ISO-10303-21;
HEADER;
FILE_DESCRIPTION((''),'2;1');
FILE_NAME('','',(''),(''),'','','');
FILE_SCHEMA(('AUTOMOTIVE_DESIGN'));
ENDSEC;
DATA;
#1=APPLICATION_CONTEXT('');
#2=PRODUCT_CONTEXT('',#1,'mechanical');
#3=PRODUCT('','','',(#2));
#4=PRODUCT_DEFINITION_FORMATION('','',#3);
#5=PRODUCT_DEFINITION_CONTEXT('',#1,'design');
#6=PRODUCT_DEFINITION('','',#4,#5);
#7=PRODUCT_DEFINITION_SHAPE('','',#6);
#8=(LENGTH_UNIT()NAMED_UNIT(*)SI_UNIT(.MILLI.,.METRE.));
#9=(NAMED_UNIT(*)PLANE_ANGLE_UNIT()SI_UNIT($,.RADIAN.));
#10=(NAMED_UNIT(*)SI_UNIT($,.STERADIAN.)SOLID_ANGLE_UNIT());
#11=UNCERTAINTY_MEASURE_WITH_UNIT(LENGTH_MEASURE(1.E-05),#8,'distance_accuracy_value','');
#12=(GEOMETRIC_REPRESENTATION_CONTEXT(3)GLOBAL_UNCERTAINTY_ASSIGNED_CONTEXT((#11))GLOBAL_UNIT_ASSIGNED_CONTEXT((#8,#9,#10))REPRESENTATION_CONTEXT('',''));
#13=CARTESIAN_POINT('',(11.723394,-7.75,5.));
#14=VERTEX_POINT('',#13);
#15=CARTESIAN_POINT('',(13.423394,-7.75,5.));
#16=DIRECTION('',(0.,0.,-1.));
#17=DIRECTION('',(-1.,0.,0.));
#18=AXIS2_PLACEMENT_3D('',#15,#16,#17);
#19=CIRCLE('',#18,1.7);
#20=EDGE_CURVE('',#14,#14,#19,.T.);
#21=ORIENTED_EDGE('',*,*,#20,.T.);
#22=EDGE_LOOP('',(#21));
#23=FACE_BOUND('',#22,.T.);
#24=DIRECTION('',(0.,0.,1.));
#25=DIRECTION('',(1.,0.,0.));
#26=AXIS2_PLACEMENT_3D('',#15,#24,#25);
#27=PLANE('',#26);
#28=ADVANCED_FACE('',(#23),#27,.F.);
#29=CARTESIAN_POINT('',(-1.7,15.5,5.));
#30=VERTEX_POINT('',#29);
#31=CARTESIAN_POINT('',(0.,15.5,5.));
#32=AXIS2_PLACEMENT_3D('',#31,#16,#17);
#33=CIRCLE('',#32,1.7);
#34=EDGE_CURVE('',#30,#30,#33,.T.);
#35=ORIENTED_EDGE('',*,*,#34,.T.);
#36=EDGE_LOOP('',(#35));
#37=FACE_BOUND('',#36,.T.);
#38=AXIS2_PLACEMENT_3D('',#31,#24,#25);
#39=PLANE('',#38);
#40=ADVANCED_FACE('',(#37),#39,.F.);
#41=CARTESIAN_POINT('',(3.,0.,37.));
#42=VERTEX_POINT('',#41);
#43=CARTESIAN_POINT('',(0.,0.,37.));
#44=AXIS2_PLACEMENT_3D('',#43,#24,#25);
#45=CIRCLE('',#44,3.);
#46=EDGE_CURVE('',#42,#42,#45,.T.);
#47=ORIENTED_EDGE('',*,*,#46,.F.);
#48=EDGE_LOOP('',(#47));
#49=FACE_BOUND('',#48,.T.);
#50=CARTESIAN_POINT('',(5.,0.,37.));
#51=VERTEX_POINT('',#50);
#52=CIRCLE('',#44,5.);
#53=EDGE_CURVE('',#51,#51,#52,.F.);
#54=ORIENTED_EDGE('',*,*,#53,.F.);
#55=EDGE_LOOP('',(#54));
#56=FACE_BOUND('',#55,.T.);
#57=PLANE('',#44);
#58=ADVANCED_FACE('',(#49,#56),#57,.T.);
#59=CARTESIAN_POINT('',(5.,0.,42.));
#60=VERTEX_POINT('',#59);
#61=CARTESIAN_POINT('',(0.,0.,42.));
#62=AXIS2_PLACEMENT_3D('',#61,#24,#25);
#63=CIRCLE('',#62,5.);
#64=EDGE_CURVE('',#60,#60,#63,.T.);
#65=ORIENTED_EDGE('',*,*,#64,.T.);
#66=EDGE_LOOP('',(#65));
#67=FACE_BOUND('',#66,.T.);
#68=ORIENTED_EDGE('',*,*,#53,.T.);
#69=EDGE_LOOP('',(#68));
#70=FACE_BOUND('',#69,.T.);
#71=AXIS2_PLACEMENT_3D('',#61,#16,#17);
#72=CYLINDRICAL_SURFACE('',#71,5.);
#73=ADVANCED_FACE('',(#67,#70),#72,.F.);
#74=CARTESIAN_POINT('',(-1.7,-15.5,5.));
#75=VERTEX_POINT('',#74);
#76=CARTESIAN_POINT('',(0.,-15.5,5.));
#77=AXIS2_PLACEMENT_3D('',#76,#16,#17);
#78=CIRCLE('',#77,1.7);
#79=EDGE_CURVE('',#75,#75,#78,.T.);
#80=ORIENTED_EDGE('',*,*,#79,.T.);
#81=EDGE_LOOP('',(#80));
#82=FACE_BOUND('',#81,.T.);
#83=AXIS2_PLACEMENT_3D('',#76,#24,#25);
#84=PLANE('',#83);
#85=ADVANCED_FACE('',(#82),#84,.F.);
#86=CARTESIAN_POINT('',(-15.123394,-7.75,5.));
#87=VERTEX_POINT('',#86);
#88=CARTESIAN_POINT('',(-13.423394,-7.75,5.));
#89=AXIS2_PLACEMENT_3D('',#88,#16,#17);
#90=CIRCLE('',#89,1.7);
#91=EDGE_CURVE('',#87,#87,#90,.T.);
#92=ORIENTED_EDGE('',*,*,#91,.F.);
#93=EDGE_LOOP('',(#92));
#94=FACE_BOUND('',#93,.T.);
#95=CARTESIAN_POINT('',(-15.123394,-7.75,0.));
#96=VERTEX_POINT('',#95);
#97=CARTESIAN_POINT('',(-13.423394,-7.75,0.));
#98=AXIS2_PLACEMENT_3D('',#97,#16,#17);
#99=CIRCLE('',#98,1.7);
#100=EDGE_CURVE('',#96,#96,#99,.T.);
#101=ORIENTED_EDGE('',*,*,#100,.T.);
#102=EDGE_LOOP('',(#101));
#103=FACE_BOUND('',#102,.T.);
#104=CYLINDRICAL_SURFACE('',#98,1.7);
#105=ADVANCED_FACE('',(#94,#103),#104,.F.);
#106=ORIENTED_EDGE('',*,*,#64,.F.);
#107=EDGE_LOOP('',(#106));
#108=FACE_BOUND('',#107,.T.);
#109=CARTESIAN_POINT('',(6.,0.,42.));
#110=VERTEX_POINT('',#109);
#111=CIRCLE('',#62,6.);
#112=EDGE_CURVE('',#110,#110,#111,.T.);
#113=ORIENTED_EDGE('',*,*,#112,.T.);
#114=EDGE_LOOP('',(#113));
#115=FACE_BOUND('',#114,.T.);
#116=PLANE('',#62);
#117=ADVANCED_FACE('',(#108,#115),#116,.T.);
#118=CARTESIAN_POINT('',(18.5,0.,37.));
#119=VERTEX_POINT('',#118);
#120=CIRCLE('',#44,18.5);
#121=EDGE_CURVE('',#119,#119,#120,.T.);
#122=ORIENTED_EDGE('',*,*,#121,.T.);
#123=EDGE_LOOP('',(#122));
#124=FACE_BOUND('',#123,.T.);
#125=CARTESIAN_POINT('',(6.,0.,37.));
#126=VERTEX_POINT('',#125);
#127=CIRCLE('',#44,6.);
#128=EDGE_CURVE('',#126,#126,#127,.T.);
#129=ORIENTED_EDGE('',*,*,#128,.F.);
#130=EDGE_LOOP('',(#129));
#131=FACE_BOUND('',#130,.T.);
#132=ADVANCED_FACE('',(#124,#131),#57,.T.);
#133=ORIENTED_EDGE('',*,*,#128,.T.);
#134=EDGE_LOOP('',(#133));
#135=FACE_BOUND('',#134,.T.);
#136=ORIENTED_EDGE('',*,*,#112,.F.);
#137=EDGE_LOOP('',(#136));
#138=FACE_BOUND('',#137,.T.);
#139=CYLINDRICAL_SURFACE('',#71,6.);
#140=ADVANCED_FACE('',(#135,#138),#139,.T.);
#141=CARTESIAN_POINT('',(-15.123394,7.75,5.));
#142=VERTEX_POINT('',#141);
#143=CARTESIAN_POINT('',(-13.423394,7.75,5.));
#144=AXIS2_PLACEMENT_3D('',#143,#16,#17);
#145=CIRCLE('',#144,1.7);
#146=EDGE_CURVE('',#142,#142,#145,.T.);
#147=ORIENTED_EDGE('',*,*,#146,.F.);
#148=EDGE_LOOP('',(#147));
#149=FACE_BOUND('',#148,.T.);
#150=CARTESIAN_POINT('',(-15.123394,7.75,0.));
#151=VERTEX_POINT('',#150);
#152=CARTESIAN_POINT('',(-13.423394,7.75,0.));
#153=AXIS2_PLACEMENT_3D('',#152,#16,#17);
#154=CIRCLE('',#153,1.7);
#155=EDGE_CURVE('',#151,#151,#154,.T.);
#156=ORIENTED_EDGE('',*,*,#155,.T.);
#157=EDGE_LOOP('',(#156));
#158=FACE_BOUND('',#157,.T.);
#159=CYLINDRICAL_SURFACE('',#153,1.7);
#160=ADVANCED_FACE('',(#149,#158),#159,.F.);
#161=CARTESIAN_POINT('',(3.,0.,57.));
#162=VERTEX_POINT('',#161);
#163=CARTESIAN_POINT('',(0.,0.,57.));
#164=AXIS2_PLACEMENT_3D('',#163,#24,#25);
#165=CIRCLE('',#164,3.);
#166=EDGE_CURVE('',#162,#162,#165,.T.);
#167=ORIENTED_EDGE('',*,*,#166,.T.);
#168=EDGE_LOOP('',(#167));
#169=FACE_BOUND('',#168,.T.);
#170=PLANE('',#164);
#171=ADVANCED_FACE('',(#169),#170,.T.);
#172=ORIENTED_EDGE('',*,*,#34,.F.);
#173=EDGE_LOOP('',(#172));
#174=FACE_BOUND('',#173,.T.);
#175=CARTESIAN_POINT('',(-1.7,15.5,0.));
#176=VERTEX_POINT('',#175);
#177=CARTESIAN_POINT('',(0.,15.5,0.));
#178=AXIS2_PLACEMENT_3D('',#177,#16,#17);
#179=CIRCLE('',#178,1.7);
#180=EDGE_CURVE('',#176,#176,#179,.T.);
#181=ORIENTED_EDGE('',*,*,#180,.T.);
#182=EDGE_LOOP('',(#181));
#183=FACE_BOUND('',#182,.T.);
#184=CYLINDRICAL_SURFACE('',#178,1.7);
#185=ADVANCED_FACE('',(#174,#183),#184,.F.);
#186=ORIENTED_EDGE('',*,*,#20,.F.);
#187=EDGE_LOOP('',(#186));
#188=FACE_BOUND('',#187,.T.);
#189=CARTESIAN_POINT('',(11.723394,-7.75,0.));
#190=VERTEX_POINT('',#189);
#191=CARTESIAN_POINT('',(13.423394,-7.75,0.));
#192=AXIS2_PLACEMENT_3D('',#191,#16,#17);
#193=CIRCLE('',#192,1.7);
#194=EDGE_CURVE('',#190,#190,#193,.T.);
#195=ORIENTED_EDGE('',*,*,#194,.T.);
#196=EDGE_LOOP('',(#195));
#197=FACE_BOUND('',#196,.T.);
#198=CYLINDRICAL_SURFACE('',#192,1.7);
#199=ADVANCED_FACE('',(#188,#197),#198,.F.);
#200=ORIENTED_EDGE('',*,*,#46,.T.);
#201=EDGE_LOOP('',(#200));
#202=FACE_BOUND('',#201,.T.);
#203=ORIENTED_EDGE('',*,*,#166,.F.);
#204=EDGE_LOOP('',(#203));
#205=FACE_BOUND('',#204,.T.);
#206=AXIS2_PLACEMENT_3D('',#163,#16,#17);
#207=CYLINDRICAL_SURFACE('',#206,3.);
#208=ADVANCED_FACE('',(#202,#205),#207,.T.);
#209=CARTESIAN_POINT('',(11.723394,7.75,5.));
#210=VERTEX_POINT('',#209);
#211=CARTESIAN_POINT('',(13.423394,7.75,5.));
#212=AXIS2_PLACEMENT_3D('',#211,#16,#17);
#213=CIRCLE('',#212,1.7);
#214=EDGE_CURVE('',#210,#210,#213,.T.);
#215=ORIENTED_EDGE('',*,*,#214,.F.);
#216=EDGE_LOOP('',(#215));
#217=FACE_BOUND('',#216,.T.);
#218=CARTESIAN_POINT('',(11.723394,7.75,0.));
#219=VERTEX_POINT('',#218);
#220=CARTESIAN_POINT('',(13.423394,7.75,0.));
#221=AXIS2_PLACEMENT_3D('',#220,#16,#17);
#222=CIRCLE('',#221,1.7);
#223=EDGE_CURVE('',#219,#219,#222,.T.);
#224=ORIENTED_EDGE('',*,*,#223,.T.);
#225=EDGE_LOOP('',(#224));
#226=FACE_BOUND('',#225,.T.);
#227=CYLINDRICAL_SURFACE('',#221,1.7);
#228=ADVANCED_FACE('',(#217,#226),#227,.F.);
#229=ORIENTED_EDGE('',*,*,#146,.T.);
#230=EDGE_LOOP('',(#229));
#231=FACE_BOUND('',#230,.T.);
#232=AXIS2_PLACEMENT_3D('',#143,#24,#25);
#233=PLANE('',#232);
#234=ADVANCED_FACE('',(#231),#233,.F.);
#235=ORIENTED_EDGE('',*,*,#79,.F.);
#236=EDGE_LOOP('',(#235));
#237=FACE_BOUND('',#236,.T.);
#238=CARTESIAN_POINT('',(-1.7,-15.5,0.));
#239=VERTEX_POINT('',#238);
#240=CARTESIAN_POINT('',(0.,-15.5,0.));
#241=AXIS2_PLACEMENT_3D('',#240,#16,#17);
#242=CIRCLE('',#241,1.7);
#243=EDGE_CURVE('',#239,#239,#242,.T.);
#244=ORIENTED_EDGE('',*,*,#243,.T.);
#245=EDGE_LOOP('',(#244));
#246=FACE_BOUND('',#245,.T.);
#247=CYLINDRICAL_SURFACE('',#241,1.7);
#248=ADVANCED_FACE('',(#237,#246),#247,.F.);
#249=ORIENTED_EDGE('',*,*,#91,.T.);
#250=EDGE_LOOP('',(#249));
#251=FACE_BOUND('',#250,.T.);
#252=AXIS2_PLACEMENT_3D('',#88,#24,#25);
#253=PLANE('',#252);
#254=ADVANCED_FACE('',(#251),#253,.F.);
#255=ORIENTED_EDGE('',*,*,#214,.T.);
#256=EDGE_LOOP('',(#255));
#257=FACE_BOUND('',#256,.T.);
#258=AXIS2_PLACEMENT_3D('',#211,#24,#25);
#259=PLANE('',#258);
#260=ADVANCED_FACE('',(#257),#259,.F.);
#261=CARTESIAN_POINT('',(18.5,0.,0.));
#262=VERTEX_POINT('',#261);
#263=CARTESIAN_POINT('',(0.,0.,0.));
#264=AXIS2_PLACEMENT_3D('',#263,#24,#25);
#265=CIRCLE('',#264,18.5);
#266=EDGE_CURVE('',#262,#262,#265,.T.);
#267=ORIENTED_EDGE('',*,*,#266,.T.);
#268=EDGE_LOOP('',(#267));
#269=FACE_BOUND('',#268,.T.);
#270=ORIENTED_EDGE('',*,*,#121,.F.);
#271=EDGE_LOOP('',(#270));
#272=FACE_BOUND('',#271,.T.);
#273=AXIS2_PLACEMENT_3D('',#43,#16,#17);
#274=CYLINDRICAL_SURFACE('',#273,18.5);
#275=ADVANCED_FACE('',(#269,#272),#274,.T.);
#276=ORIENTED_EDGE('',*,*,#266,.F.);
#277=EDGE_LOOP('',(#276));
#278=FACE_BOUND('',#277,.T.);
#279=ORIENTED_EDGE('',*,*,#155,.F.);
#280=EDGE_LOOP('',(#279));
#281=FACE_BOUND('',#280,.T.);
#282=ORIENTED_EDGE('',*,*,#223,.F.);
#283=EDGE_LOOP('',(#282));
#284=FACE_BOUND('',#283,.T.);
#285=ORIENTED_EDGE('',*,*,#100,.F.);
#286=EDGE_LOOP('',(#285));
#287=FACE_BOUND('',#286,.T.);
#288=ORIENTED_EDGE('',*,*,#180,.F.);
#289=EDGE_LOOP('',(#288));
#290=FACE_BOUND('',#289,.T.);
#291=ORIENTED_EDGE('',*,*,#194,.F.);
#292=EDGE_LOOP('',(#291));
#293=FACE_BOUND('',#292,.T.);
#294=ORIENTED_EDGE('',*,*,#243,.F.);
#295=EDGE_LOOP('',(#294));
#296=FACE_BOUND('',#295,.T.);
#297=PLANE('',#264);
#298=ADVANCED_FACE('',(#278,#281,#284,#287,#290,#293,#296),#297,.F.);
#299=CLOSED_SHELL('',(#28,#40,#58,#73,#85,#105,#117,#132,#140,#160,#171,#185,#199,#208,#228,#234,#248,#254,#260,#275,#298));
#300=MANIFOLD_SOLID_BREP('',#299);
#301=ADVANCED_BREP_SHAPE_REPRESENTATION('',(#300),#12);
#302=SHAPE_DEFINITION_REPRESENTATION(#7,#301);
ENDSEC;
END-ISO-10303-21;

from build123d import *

# Parameters (mm, degrees)
CROQUIS1_R                       = 18.5
SALIENTE_EXTRUIR1_DEPTH          = 37
CROQUIS2_R                       = 6
CROQUIS2_R_2                     = 5
SALIENTE_EXTRUIR2_DEPTH          = 5
CROQUIS2_3_R                     = 3
SALIENTE_EXTRUIR3_DEPTH          = 20
TALADRO_DE_MARGEN_PARA_M31_D     = 3.4
TALADRO_DE_MARGEN_PARA_M31_DEPTH = 5


with BuildPart() as part:
    # Croquis1 → Saliente-Extruir1 (new body)
    with BuildSketch(Plane.XY):
        Circle(CROQUIS1_R)
    extrude(amount=SALIENTE_EXTRUIR1_DEPTH)

    # Croquis2 → Saliente-Extruir2 (add)
    with BuildSketch(Plane.XY.offset(37)):
        Circle(CROQUIS2_R)
        Circle(CROQUIS2_R_2, mode=Mode.SUBTRACT)
    extrude(amount=SALIENTE_EXTRUIR2_DEPTH)

    # Croquis2<3> → Saliente-Extruir3 (add)
    with BuildSketch(Plane.XY.offset(37)):
        Circle(CROQUIS2_3_R)
    extrude(amount=SALIENTE_EXTRUIR3_DEPTH)

    # Taladro de margen para M31
    with Locations(Plane(origin=(0, 0, 0), x_dir=(-1, 0, 0), z_dir=(0, 0, -1))):
        with Locations((0, 15.5), (13.423393759, 7.75), (13.423393759, -7.75), (0, -15.5), (-13.423393759, -7.75), (-13.423393759, 7.75)):
            Hole(TALADRO_DE_MARGEN_PARA_M31_D / 2, depth=TALADRO_DE_MARGEN_PARA_M31_DEPTH)


solid = part.part
